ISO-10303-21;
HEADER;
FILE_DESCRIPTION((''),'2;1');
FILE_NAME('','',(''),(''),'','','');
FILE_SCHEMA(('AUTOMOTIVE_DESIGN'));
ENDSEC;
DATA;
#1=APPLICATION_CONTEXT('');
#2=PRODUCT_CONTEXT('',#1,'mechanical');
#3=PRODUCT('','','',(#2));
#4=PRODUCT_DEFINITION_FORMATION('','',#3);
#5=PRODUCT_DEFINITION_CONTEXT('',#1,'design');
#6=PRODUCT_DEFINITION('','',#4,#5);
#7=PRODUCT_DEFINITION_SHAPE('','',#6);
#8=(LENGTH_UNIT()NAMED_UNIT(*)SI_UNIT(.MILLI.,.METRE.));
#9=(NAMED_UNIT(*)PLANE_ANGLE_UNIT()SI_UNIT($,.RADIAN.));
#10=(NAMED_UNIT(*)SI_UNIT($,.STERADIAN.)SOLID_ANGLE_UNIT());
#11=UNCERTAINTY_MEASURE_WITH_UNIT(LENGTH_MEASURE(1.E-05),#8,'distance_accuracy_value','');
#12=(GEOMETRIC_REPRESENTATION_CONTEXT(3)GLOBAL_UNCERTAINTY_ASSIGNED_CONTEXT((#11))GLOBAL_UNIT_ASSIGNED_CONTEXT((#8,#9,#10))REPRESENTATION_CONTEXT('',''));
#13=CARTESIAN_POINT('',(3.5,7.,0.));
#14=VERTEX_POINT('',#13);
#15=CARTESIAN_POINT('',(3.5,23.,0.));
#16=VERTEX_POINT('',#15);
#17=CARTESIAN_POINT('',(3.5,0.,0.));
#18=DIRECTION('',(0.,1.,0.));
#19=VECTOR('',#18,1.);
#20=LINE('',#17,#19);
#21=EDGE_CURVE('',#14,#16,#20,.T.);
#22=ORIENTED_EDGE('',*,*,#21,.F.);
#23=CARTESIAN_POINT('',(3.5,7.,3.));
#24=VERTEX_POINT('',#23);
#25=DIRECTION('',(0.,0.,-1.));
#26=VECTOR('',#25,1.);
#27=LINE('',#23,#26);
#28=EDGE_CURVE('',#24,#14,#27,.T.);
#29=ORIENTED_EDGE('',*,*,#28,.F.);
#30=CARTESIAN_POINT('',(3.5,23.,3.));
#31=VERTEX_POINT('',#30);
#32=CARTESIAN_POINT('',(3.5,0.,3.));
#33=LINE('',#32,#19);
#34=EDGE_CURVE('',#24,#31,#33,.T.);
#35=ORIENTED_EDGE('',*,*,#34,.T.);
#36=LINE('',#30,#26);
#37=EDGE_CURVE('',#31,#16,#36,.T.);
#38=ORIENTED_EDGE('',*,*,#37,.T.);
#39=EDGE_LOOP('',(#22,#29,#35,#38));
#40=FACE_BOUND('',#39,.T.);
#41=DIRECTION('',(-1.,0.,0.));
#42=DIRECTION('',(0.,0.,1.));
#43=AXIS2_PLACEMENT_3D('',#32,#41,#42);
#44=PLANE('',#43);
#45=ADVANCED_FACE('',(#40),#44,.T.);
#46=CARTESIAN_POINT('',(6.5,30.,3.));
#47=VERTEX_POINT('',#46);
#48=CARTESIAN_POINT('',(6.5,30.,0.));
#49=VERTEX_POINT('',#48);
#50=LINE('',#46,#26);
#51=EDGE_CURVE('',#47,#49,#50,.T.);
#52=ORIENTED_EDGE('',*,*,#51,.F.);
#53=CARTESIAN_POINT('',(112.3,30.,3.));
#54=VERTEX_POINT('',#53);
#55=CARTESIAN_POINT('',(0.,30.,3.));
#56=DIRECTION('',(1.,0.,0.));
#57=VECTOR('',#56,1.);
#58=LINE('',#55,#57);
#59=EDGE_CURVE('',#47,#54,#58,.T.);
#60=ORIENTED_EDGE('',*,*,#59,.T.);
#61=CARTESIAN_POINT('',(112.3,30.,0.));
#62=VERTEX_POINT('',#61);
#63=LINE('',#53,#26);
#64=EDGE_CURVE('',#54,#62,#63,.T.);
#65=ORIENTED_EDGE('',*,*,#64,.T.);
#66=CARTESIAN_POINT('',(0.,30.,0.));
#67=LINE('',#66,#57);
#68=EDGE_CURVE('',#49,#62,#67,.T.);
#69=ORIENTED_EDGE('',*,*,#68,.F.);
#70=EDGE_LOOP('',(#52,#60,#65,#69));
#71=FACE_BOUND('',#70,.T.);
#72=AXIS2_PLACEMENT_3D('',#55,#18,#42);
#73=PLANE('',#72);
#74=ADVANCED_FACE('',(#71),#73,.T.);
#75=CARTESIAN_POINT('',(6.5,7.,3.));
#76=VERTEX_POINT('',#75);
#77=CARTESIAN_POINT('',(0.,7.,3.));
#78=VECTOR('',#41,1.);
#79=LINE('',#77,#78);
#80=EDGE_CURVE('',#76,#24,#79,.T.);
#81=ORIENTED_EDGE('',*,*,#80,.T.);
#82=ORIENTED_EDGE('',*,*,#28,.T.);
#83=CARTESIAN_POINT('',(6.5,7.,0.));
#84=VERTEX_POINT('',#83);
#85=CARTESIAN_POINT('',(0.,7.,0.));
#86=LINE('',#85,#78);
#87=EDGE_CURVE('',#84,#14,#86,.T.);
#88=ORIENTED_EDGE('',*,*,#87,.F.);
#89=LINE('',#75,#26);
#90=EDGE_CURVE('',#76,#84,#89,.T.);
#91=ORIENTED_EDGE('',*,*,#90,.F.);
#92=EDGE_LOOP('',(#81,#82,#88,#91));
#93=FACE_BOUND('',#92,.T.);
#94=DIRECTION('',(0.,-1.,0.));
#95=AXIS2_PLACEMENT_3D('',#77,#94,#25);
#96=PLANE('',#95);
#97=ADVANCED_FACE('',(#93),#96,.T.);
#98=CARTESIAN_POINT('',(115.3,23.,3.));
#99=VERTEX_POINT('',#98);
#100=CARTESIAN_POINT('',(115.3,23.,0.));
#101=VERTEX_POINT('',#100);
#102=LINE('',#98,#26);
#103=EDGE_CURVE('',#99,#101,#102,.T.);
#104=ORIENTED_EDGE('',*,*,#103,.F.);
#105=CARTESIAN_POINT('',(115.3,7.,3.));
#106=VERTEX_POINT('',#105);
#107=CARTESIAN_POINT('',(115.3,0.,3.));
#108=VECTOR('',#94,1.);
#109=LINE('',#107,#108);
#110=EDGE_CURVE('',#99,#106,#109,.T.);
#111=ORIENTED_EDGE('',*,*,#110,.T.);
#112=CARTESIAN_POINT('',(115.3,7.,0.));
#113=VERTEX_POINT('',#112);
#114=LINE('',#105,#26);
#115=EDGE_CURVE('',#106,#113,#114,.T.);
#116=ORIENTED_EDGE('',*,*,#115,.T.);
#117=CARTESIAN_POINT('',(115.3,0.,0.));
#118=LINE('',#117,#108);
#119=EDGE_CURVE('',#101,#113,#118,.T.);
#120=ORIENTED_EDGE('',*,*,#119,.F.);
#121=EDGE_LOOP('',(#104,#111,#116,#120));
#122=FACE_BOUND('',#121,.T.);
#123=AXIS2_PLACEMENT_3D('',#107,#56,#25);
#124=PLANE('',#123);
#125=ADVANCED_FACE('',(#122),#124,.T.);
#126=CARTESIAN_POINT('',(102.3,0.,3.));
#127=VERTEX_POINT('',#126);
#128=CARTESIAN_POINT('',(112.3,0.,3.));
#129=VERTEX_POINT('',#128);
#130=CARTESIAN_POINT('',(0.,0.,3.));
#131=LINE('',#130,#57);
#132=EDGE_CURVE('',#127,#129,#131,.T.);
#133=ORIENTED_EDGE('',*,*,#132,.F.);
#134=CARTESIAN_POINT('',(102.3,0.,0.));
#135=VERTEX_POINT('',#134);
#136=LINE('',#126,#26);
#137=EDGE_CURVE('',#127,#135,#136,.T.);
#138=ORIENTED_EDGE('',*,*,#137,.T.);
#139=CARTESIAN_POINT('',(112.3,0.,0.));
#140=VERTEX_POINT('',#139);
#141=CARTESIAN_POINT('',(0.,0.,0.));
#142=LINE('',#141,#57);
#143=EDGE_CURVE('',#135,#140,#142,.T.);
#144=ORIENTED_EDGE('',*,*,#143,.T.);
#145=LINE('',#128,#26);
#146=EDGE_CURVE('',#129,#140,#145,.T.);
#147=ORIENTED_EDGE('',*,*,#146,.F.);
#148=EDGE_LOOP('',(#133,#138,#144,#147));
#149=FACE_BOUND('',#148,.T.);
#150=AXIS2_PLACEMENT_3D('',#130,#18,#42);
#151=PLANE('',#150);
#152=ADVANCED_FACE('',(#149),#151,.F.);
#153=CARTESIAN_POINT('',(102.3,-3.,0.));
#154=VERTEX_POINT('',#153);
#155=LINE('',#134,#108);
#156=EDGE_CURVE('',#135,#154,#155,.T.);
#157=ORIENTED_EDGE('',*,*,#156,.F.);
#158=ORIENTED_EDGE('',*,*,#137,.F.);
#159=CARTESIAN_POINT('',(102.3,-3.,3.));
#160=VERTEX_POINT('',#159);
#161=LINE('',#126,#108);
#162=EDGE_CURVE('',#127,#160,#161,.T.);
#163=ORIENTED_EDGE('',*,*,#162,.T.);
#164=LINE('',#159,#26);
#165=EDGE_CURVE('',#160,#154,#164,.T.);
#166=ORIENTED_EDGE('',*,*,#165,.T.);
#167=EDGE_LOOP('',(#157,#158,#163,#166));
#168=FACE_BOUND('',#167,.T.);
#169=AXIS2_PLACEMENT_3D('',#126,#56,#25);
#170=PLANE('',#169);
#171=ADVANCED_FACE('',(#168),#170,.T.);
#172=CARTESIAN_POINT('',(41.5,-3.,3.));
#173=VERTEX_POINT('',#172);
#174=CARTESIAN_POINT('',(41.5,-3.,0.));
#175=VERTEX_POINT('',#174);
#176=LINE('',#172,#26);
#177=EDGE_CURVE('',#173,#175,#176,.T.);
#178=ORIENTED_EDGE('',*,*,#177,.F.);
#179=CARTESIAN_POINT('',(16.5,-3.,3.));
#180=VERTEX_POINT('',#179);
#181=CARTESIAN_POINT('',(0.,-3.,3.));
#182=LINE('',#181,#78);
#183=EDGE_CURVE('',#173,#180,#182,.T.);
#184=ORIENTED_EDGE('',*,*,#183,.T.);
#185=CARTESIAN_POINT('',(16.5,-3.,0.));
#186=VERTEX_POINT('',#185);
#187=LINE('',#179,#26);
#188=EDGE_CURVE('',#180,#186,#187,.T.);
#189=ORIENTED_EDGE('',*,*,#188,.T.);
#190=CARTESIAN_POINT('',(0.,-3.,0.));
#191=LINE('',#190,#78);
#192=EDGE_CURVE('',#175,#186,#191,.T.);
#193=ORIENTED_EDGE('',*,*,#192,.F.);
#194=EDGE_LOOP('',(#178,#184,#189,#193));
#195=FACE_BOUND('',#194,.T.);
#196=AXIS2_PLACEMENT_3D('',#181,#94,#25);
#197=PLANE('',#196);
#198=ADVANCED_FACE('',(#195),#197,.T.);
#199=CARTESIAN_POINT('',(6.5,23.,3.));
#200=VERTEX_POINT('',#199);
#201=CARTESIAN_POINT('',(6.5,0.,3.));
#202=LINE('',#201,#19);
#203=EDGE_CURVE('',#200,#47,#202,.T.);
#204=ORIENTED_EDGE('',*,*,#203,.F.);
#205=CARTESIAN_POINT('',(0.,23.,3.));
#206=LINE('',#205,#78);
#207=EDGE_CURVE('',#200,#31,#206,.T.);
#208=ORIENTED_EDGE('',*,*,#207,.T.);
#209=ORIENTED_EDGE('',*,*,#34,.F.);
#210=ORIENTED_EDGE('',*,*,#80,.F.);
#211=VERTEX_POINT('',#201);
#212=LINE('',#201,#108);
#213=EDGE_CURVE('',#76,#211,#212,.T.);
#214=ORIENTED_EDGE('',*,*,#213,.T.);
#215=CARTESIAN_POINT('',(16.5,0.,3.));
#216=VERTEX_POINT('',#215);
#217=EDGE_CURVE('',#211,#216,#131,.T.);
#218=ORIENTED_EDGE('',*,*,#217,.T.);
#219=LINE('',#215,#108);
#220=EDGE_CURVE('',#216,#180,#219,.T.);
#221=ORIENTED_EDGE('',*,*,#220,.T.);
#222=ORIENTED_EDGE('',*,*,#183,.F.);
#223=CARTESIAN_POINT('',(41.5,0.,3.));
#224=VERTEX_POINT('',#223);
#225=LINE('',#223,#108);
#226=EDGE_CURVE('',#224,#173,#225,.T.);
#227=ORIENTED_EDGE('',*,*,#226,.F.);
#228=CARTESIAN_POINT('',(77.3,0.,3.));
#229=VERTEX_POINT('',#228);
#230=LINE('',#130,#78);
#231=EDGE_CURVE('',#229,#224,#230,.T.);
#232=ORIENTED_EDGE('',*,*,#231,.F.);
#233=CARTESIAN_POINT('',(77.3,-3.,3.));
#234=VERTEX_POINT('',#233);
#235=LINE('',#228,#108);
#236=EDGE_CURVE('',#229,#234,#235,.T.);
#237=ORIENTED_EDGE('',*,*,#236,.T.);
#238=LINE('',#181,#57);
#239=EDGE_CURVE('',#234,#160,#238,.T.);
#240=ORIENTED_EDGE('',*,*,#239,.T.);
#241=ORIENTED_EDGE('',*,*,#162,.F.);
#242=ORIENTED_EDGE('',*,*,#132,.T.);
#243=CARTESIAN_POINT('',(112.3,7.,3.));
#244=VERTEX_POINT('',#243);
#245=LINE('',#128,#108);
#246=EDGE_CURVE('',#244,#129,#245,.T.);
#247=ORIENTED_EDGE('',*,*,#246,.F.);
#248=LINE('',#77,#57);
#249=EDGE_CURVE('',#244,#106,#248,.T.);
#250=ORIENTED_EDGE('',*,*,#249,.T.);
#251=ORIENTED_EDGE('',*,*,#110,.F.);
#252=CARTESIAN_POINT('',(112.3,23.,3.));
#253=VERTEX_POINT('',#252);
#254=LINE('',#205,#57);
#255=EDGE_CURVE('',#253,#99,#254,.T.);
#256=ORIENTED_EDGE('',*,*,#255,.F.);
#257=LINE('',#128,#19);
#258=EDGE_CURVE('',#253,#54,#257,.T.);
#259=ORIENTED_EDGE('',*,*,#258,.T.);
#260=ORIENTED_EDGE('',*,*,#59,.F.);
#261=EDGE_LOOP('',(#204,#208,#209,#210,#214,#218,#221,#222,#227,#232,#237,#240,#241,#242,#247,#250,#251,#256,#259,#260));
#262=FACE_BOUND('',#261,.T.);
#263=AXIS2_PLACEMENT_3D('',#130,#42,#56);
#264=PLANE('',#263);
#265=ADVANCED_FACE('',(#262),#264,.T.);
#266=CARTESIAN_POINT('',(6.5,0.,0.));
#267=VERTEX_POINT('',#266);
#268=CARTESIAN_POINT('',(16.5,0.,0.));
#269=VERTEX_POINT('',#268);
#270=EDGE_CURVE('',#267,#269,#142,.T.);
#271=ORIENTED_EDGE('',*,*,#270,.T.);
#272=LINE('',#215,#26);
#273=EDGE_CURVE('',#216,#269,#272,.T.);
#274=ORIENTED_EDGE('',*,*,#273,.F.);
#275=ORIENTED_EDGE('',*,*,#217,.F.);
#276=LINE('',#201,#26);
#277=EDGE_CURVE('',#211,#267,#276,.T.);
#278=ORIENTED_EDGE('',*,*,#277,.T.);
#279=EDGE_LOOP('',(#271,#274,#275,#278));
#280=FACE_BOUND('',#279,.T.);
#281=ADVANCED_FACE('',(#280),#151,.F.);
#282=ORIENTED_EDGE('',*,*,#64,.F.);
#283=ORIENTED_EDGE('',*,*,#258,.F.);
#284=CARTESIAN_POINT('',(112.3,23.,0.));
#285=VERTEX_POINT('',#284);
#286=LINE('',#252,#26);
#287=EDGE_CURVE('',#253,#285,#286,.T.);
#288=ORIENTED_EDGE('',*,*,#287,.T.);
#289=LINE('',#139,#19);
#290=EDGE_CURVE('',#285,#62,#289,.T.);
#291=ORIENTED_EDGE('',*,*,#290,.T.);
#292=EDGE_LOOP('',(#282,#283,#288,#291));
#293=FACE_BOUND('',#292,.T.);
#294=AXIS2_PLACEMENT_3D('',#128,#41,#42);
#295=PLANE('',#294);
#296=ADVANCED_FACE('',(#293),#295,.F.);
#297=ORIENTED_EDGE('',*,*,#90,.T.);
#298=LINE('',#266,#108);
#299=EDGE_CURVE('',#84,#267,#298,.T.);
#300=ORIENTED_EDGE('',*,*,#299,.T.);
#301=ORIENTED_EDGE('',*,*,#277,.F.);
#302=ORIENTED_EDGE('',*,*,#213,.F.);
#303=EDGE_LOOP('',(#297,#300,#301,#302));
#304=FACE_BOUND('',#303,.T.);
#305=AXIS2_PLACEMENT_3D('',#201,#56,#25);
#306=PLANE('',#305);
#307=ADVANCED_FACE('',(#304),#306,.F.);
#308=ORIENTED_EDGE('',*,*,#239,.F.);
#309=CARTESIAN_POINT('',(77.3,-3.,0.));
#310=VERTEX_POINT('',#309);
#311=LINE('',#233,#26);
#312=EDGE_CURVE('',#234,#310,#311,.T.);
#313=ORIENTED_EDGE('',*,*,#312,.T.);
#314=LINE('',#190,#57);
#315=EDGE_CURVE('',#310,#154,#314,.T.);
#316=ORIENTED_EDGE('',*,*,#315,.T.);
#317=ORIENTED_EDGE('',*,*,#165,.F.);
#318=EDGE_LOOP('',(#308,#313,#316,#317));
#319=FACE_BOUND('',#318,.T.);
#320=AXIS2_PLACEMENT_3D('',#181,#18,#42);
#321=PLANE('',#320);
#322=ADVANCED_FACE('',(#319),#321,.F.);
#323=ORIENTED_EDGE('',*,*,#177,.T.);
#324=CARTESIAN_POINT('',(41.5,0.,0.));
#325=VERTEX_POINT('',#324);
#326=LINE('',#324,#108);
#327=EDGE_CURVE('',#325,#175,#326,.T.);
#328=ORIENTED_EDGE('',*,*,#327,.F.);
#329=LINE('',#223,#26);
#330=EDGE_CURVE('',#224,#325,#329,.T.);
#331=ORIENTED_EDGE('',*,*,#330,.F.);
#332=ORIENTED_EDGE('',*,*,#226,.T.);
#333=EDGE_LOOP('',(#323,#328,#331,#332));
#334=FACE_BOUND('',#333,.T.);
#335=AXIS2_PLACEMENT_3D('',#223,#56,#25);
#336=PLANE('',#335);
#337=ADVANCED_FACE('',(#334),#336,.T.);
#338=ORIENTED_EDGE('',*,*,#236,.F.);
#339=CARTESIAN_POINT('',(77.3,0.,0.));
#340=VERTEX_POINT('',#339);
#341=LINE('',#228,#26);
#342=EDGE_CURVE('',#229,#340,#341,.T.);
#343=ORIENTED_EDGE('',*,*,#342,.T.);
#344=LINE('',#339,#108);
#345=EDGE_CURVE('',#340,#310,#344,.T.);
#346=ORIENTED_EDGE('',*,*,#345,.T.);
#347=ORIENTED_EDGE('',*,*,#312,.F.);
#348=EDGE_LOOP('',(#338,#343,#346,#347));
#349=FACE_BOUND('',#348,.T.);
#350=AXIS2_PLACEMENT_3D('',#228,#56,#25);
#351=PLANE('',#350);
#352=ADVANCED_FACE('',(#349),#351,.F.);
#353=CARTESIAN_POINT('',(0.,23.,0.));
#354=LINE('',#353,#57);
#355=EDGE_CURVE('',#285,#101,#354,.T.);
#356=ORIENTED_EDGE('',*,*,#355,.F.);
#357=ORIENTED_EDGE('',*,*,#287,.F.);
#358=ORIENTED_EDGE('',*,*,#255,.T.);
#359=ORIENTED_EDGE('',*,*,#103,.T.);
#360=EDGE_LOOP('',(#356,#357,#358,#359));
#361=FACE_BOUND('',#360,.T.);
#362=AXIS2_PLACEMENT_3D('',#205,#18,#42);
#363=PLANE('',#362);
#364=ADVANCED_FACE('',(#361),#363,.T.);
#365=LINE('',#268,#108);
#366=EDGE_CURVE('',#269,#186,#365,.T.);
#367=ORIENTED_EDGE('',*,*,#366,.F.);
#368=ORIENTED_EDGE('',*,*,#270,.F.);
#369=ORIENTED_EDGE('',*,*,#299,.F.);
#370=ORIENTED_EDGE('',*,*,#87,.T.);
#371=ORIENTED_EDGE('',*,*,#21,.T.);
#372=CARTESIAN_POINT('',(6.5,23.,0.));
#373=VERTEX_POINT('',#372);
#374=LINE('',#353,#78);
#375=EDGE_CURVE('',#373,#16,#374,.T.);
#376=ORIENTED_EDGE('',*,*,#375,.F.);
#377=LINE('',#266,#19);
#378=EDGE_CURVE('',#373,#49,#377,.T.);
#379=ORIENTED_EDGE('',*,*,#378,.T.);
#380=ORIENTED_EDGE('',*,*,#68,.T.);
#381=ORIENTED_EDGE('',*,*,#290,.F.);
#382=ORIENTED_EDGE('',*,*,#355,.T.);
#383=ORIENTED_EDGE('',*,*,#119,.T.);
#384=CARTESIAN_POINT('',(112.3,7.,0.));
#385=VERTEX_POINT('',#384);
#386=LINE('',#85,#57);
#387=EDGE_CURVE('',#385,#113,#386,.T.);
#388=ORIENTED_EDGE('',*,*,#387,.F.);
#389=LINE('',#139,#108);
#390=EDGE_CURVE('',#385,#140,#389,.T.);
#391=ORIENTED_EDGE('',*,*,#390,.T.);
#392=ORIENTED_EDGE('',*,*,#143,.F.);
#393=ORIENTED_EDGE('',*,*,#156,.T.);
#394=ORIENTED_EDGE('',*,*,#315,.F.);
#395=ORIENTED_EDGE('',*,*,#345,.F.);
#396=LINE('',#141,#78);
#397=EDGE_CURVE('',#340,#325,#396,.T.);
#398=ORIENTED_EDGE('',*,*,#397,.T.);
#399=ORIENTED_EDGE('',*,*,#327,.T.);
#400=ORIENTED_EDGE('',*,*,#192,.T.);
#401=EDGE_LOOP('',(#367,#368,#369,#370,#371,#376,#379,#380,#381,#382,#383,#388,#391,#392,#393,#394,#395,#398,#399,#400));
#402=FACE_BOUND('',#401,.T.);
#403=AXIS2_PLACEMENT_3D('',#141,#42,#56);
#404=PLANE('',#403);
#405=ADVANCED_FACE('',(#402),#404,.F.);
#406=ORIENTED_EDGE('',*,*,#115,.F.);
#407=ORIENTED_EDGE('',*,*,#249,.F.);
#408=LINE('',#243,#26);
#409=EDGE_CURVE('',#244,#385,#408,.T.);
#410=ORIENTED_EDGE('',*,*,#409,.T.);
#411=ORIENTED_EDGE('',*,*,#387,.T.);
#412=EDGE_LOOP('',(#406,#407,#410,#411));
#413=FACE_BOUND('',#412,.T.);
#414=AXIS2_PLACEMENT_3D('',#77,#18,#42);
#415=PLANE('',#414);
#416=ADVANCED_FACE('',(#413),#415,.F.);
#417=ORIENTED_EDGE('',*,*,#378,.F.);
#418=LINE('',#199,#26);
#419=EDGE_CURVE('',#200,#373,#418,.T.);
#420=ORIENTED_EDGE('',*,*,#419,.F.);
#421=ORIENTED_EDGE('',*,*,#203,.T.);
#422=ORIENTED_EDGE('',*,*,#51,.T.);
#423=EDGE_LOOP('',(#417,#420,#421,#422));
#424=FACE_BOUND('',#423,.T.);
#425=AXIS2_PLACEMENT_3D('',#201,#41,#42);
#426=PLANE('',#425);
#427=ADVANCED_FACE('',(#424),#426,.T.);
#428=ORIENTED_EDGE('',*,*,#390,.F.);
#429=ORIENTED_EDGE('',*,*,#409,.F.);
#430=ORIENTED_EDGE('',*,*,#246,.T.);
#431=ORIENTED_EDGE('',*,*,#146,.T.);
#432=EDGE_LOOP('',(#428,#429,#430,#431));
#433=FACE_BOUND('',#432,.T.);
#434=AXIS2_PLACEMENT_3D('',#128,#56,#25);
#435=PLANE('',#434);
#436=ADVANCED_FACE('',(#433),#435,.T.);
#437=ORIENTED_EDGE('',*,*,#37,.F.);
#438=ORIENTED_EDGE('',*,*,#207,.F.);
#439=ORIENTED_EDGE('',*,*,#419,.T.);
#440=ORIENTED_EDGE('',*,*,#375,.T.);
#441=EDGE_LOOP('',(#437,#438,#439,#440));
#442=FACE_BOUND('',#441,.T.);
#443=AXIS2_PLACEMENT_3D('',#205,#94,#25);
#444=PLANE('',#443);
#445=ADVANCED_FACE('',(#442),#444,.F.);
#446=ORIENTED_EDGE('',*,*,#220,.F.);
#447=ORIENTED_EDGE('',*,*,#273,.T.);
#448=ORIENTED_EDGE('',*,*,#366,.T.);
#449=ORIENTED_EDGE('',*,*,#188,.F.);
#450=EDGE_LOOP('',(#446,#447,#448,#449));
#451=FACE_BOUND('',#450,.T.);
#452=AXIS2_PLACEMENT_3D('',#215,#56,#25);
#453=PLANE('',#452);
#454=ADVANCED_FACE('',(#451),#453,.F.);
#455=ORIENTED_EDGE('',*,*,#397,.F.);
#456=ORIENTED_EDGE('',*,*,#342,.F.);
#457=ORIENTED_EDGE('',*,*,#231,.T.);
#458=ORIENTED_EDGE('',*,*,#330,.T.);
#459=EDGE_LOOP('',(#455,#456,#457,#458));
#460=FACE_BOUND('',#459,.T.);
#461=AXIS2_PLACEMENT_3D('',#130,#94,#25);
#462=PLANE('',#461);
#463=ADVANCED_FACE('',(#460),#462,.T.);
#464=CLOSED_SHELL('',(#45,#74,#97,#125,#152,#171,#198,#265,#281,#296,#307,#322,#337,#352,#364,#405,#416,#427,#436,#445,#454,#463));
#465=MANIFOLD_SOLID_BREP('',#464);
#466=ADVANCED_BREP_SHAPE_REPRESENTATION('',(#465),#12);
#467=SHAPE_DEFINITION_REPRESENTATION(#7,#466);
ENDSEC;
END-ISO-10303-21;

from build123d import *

# Parameters (mm, degrees)
EXTRUDE_1_DEPTH = 3


with BuildPart() as part:
    # 草图2 → 凸台-拉伸1 (new body)
    with BuildSketch(Plane.XY):
        Polygon((6.5, 0), (16.5, 0), (16.5, -3), (41.5, -3), (41.5, 0), (77.3, 0), (77.3, -3), (102.3, -3), (102.3, 0), (112.3, 0), (112.3, 7), (115.3, 7), (115.3, 23), (112.3, 23), (112.3, 30), (6.5, 30), (6.5, 23), (3.5, 23), (3.5, 7), (6.5, 7), align=None)
    extrude(amount=EXTRUDE_1_DEPTH)


solid = part.part
